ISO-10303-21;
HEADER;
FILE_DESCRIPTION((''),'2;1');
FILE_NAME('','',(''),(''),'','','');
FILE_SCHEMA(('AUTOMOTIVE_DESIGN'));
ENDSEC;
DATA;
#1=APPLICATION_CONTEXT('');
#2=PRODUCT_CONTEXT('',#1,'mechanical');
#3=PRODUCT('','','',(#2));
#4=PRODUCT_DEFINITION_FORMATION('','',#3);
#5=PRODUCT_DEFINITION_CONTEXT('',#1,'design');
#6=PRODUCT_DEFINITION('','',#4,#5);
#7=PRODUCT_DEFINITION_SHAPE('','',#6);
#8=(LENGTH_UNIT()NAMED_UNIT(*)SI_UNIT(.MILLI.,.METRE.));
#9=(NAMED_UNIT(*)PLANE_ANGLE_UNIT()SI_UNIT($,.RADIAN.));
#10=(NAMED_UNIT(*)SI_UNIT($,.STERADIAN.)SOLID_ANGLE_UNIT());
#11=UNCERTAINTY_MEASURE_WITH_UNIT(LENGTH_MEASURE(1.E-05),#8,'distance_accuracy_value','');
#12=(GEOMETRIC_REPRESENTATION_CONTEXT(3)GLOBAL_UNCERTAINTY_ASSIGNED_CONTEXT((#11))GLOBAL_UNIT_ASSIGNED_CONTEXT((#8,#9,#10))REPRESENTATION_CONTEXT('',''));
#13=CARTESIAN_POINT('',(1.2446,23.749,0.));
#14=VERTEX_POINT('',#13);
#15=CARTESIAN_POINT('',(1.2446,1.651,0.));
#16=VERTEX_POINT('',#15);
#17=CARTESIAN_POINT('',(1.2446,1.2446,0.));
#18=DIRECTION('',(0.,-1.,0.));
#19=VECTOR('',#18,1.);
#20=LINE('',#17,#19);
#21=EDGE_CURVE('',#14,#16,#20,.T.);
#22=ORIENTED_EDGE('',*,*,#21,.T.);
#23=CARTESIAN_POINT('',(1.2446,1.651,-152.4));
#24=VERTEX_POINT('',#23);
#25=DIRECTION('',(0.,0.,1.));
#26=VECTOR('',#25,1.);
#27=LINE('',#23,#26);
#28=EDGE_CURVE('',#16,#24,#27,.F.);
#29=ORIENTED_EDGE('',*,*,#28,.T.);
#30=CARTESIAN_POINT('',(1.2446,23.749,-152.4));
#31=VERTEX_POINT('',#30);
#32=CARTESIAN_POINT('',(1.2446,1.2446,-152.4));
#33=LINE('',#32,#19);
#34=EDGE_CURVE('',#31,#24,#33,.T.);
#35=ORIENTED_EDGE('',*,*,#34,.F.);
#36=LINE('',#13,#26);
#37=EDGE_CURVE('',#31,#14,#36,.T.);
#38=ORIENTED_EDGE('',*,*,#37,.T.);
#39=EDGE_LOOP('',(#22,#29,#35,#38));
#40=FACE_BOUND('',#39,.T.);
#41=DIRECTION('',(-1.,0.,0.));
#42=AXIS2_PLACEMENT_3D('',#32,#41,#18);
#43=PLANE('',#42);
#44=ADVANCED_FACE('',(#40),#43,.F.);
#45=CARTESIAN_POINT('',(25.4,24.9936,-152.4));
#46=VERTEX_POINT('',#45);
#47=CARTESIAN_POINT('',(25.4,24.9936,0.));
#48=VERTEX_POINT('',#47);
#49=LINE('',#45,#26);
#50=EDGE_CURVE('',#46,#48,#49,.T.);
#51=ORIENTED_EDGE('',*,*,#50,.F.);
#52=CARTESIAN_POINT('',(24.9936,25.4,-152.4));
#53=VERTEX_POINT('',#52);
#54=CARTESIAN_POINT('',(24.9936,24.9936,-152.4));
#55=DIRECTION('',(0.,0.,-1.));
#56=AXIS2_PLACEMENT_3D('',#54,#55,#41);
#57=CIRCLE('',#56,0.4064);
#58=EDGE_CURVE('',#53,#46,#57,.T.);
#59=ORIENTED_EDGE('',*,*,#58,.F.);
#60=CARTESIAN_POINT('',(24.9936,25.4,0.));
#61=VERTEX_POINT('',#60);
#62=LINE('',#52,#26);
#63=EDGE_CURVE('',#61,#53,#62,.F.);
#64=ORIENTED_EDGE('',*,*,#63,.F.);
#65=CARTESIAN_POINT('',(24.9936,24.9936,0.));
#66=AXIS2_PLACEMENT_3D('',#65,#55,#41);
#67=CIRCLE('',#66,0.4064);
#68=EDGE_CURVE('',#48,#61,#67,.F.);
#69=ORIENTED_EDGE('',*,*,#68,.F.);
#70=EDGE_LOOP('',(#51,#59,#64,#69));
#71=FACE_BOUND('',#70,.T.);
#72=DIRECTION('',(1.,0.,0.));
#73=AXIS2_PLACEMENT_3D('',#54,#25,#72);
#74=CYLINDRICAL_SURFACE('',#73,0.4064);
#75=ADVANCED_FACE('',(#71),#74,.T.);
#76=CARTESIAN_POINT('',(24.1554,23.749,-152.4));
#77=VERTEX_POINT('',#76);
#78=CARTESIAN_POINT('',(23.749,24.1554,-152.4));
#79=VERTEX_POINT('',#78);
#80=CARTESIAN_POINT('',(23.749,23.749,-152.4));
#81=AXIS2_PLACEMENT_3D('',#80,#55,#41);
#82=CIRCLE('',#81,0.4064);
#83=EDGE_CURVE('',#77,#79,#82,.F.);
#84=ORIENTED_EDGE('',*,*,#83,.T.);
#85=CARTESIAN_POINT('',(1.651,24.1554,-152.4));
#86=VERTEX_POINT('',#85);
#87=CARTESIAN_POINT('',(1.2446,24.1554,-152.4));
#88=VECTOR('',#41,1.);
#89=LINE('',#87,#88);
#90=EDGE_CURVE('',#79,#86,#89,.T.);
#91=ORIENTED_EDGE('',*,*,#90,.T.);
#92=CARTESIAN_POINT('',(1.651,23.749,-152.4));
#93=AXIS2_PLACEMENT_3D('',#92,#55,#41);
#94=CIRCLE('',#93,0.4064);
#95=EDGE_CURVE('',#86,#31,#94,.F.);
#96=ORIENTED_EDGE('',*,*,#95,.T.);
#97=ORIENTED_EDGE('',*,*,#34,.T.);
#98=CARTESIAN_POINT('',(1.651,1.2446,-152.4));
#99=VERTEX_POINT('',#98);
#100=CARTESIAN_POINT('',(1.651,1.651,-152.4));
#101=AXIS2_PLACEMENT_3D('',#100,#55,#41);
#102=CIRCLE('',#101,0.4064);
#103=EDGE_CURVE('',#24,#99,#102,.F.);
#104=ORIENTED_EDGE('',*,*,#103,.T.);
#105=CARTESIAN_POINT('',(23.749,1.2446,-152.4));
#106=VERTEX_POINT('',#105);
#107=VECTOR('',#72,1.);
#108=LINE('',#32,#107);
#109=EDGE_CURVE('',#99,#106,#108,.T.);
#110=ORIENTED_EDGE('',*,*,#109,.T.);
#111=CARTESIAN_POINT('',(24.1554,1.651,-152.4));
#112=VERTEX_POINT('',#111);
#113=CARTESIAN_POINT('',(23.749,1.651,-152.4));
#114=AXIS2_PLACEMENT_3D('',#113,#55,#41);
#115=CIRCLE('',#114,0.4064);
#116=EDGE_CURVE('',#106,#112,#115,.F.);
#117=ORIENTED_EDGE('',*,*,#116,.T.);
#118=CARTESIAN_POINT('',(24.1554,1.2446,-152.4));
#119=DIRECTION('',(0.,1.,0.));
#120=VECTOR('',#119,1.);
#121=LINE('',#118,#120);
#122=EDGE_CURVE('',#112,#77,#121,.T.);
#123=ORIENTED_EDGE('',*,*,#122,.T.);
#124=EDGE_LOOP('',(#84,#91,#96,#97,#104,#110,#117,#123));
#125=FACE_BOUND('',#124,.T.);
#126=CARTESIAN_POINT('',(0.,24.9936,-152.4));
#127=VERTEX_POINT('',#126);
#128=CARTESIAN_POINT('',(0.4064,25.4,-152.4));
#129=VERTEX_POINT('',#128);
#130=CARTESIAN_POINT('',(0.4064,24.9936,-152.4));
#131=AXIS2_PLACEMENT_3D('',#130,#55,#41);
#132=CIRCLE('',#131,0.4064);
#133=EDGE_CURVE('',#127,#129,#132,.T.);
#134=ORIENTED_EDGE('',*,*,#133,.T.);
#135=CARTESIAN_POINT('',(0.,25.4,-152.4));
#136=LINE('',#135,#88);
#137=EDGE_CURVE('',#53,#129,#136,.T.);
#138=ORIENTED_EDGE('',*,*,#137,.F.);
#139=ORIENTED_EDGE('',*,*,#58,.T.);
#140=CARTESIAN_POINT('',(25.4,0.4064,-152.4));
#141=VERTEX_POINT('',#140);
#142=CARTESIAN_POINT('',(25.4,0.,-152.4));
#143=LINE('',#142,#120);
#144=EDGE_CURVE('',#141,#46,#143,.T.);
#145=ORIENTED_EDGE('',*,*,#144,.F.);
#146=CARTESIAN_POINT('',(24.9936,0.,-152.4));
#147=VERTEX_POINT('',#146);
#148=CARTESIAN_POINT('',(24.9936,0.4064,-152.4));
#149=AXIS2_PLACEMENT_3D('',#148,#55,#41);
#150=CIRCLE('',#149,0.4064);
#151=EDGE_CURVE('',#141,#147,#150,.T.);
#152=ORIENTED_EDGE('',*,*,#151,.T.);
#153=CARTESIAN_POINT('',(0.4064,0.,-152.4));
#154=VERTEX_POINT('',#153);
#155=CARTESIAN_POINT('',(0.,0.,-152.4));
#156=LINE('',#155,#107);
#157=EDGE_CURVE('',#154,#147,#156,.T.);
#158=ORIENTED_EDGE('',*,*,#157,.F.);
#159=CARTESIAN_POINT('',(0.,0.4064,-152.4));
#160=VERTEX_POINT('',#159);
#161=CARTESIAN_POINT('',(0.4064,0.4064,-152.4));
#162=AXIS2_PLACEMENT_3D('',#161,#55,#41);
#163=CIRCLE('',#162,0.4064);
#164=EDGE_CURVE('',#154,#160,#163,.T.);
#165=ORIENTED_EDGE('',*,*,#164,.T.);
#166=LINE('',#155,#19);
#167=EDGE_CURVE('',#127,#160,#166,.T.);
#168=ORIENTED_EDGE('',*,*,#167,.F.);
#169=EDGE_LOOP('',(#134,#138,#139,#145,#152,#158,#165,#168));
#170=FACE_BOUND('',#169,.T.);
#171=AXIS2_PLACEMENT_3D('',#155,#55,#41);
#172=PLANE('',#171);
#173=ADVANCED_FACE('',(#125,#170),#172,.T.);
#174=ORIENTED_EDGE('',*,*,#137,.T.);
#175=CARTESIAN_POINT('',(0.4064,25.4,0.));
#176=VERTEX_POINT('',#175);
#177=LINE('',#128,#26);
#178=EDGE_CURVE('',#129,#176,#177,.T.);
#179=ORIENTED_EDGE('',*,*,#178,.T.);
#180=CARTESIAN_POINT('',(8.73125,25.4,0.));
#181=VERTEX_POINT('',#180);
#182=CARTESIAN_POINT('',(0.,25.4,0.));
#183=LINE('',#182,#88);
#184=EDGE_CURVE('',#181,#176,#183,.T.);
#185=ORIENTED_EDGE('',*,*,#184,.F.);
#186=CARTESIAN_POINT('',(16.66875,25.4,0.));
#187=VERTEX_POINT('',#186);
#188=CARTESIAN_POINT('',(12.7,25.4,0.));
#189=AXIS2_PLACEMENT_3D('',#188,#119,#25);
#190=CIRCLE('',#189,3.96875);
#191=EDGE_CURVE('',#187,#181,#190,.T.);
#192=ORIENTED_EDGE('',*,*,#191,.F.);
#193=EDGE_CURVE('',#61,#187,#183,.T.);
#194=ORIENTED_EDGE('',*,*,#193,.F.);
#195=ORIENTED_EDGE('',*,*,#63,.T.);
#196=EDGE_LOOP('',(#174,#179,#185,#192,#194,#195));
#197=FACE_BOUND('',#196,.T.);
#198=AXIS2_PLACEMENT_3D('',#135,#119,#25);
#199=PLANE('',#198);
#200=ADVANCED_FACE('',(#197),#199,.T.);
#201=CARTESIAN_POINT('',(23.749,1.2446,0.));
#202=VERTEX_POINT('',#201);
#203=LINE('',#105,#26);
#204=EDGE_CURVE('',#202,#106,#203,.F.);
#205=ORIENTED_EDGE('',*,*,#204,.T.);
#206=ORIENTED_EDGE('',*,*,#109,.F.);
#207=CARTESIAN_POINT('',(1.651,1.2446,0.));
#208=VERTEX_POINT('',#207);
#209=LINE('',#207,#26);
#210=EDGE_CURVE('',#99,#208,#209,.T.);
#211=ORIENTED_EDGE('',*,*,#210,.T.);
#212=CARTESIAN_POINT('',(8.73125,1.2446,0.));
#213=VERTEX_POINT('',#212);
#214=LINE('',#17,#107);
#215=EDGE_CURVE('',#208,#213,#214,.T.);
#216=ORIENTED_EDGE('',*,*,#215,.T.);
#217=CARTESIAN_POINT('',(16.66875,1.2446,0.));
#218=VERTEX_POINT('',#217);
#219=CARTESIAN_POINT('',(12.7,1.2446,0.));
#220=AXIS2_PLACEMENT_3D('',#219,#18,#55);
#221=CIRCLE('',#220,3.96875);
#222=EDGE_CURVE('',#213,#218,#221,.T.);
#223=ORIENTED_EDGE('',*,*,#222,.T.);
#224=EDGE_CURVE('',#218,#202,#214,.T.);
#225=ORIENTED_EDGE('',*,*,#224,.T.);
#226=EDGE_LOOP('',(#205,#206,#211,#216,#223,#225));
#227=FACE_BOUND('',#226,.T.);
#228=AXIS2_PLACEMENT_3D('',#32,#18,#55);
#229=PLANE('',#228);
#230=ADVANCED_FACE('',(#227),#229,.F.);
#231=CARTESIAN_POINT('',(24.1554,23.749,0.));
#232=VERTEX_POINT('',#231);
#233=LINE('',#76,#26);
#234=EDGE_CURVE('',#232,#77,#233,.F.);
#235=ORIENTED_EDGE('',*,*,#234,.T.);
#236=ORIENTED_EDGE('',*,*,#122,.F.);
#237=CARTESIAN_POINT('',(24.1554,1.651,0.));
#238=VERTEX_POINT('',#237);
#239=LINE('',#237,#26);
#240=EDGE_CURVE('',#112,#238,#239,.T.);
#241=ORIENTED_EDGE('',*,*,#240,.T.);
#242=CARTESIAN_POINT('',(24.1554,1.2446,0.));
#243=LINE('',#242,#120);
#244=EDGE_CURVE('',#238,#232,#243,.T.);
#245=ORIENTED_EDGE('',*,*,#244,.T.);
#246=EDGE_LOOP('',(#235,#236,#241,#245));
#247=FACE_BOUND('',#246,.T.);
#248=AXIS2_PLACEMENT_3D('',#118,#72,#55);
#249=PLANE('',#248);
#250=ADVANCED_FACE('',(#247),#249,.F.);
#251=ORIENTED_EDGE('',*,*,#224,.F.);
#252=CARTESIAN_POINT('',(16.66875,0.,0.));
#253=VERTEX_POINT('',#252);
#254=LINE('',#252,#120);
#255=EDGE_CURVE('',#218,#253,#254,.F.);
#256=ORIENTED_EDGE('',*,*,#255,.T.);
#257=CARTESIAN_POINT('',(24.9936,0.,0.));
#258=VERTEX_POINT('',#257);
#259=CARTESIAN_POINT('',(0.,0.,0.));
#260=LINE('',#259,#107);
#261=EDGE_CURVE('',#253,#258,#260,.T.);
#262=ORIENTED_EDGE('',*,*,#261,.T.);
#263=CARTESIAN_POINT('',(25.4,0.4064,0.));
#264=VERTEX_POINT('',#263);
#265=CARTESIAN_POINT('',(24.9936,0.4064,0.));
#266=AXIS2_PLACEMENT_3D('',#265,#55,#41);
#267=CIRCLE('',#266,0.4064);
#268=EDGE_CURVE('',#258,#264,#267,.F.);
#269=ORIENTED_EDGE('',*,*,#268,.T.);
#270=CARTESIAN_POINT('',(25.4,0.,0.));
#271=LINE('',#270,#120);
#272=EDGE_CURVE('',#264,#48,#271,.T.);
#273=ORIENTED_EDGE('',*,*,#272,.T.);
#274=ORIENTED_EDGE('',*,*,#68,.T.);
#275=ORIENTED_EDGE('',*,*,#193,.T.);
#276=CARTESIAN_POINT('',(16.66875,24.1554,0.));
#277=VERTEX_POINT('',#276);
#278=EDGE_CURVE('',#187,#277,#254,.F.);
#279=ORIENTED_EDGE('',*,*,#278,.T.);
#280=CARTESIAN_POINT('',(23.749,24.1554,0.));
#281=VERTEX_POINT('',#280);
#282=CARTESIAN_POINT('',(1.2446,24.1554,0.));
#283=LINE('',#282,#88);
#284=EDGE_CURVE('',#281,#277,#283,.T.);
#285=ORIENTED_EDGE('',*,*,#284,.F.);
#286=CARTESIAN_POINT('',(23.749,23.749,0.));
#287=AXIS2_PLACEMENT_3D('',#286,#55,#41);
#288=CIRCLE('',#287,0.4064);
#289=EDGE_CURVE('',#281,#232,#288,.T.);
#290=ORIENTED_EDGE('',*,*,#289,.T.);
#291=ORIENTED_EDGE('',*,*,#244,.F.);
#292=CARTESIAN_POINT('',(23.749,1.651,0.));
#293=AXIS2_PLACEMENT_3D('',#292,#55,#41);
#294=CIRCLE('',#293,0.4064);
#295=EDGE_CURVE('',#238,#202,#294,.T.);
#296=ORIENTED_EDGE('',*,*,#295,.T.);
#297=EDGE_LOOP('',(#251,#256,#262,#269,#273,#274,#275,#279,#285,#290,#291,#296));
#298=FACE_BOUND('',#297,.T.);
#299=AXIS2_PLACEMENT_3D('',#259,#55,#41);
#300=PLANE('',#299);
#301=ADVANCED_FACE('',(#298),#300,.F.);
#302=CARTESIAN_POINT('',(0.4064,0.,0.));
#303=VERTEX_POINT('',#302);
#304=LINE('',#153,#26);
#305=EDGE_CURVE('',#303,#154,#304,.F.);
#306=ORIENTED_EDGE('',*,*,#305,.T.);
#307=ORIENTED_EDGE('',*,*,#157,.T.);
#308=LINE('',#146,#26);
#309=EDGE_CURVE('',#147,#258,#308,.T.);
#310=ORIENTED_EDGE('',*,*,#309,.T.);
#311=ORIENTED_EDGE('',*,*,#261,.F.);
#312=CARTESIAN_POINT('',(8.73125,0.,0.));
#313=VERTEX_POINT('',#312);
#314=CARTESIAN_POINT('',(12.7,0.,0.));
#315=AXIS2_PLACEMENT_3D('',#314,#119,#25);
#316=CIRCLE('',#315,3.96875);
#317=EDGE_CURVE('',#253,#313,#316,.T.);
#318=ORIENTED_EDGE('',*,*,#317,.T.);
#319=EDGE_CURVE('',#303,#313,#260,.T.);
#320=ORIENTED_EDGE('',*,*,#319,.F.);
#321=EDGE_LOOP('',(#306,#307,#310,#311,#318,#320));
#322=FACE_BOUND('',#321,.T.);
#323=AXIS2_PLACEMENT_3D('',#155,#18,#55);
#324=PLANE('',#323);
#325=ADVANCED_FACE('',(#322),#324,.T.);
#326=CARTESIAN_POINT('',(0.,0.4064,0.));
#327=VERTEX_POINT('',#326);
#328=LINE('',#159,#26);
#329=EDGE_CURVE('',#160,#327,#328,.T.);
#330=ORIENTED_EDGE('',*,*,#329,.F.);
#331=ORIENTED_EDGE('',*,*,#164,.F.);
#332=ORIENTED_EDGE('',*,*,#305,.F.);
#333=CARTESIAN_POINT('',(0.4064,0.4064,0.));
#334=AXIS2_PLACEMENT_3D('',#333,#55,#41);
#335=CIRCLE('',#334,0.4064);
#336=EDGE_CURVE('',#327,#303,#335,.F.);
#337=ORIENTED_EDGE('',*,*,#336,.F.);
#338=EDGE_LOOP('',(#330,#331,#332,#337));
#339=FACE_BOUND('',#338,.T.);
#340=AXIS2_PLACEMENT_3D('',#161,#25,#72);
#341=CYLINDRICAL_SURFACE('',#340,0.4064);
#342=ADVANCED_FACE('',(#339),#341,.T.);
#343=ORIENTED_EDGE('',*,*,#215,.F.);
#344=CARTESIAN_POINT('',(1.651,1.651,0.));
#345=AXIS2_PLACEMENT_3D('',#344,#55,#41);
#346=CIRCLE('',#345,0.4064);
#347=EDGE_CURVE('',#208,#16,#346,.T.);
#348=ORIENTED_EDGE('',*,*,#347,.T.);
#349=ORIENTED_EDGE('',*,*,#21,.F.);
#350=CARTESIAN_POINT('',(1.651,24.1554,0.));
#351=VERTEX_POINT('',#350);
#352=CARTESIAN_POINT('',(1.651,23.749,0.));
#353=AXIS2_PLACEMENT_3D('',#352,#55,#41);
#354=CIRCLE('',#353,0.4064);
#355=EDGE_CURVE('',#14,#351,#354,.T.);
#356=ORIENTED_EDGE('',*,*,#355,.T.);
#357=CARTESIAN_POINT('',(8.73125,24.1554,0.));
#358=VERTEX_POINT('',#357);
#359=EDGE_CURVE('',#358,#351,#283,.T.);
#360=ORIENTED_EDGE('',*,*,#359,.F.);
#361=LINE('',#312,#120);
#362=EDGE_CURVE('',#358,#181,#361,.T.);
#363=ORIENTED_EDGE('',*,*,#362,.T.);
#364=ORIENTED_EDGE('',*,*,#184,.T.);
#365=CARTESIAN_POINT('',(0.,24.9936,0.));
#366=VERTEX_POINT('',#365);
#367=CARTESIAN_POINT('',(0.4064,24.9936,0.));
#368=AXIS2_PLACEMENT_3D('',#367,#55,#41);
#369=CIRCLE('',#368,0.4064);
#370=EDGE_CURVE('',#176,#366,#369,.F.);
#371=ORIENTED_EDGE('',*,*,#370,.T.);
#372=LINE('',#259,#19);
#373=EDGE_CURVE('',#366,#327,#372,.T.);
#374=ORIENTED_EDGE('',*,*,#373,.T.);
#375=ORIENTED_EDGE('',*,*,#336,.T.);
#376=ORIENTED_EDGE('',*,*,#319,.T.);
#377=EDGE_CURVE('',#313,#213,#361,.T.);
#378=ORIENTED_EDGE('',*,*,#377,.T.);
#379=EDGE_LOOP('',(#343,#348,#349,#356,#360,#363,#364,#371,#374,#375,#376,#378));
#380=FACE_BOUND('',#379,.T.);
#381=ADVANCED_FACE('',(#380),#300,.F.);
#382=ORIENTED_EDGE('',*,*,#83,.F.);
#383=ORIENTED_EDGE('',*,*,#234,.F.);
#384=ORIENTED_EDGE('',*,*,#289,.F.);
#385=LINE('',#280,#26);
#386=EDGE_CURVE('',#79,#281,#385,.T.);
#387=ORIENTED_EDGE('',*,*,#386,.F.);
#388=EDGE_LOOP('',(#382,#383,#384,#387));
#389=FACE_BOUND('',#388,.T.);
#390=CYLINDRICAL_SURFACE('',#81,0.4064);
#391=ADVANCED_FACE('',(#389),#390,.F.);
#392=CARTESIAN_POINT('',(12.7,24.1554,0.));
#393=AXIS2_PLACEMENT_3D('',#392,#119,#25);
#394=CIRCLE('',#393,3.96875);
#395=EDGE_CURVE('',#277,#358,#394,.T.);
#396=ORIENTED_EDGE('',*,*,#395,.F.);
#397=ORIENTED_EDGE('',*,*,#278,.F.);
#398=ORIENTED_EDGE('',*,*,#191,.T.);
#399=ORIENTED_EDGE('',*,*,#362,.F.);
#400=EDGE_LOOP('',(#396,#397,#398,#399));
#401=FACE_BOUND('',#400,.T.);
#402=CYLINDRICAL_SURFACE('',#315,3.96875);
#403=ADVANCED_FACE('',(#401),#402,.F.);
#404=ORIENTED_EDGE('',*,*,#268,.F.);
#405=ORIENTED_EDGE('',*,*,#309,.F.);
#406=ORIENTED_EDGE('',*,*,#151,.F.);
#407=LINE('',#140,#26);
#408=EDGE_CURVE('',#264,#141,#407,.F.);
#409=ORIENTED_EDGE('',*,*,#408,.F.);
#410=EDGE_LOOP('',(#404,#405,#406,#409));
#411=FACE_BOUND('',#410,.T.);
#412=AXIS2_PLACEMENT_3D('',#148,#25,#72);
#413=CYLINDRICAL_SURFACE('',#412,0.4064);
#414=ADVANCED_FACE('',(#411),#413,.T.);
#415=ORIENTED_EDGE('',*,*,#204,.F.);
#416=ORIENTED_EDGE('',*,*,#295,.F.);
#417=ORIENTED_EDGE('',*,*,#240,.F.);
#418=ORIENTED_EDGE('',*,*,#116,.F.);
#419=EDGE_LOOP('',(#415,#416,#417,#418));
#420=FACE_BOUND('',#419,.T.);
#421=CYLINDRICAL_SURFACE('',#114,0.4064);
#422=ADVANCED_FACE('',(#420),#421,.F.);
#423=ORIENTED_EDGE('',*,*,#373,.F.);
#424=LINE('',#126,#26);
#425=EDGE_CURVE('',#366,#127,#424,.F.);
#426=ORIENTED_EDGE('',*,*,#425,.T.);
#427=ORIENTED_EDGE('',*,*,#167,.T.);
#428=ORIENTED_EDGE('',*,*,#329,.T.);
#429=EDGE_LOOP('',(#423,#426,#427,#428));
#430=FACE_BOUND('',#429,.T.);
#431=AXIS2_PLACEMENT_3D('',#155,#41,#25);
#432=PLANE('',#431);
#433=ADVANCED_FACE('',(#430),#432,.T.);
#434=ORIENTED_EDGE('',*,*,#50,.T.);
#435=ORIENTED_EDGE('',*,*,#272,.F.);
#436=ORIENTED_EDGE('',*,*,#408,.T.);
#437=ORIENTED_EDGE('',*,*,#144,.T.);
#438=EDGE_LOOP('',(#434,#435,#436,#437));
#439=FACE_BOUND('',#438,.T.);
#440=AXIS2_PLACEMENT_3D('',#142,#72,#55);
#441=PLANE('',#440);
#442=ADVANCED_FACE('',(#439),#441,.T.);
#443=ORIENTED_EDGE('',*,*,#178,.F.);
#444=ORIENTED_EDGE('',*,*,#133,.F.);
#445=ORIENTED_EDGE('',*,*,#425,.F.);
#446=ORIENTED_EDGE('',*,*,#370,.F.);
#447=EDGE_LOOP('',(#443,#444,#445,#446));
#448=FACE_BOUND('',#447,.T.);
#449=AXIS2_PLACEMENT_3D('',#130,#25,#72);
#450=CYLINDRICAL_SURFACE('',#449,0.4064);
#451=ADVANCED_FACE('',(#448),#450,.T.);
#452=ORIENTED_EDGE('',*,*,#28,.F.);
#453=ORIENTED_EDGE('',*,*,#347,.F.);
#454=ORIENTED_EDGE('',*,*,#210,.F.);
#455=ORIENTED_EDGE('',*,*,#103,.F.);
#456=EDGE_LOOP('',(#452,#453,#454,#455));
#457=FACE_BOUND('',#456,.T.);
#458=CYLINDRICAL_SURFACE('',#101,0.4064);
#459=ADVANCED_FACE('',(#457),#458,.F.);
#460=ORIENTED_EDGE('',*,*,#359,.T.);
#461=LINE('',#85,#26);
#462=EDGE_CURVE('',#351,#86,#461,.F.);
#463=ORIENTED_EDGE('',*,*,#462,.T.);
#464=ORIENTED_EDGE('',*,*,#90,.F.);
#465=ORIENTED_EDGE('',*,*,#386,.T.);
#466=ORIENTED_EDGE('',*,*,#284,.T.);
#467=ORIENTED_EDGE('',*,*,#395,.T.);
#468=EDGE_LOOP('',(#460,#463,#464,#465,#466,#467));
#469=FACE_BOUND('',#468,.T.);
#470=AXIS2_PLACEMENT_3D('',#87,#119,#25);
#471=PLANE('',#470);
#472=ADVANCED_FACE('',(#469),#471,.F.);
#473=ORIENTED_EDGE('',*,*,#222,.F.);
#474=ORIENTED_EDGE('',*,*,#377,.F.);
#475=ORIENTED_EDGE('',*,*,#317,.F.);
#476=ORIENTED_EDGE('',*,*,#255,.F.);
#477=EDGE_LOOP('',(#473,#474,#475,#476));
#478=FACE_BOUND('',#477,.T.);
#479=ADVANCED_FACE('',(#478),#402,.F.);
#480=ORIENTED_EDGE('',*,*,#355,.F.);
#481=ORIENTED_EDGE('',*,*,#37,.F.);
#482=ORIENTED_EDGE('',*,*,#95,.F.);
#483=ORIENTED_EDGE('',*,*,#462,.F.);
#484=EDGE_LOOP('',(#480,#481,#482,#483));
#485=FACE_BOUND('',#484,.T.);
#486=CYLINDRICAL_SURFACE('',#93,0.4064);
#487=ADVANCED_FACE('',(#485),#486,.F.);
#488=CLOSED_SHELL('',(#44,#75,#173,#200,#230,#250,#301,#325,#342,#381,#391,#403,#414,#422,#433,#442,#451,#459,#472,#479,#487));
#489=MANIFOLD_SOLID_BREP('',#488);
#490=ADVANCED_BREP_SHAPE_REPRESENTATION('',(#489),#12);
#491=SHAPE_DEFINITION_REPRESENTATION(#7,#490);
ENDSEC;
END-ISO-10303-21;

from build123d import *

# Parameters (mm, degrees)
SKETCH1_W           = 25.4
SKETCH1_H           = 25.4
SKETCH1_W_2         = 22.9108
SKETCH1_H_2         = 22.9108
BOSS_EXTRUDE1_DEPTH = 152.4
FILLET1_R           = 0.4064
FILLET2_R           = 0.4064
SKETCH2_R           = 3.96875
CUT_EXTRUDE1_DEPTH  = 157.576115675


with BuildPart() as part:
    # Sketch1 → Boss-Extrude1 (new body)
    with BuildSketch(Plane.XY):
        with Locations((12.7, 12.7)):
            Rectangle(SKETCH1_W, SKETCH1_H)
        with Locations((12.7, 12.7)):
            Rectangle(SKETCH1_W_2, SKETCH1_H_2, mode=Mode.SUBTRACT)
    extrude(amount=-BOSS_EXTRUDE1_DEPTH)

    # Fillet1
    fillet1_edges = [part.edges().sort_by_distance(p)[0] for p in [
        (0, 25.4, -76.2),
        (25.4, 25.4, -76.2),
        (25.4, 0, -76.2),
        (0, 0, -76.2),
    ]]
    fillet(fillet1_edges, radius=FILLET1_R)

    # Fillet2
    fillet2_edges = [part.edges().sort_by_distance(p)[0] for p in [
        (1.2446, 1.2446, -76.2),
        (1.2446, 24.1554, -76.2),
        (24.1554, 24.1554, -76.2),
        (24.1554, 1.2446, -76.2),
    ]]
    fillet(fillet2_edges, radius=FILLET2_R)

    # Sketch2 → Cut-Extrude1 (cut, through all)
    with BuildSketch(Plane(origin=(0, 25.4, 0), x_dir=(1, 0, 0), z_dir=(0, 1, 0))):
        with Locations((12.7, 0)):
            Circle(SKETCH2_R)
    extrude(amount=-CUT_EXTRUDE1_DEPTH, mode=Mode.SUBTRACT)


solid = part.part
